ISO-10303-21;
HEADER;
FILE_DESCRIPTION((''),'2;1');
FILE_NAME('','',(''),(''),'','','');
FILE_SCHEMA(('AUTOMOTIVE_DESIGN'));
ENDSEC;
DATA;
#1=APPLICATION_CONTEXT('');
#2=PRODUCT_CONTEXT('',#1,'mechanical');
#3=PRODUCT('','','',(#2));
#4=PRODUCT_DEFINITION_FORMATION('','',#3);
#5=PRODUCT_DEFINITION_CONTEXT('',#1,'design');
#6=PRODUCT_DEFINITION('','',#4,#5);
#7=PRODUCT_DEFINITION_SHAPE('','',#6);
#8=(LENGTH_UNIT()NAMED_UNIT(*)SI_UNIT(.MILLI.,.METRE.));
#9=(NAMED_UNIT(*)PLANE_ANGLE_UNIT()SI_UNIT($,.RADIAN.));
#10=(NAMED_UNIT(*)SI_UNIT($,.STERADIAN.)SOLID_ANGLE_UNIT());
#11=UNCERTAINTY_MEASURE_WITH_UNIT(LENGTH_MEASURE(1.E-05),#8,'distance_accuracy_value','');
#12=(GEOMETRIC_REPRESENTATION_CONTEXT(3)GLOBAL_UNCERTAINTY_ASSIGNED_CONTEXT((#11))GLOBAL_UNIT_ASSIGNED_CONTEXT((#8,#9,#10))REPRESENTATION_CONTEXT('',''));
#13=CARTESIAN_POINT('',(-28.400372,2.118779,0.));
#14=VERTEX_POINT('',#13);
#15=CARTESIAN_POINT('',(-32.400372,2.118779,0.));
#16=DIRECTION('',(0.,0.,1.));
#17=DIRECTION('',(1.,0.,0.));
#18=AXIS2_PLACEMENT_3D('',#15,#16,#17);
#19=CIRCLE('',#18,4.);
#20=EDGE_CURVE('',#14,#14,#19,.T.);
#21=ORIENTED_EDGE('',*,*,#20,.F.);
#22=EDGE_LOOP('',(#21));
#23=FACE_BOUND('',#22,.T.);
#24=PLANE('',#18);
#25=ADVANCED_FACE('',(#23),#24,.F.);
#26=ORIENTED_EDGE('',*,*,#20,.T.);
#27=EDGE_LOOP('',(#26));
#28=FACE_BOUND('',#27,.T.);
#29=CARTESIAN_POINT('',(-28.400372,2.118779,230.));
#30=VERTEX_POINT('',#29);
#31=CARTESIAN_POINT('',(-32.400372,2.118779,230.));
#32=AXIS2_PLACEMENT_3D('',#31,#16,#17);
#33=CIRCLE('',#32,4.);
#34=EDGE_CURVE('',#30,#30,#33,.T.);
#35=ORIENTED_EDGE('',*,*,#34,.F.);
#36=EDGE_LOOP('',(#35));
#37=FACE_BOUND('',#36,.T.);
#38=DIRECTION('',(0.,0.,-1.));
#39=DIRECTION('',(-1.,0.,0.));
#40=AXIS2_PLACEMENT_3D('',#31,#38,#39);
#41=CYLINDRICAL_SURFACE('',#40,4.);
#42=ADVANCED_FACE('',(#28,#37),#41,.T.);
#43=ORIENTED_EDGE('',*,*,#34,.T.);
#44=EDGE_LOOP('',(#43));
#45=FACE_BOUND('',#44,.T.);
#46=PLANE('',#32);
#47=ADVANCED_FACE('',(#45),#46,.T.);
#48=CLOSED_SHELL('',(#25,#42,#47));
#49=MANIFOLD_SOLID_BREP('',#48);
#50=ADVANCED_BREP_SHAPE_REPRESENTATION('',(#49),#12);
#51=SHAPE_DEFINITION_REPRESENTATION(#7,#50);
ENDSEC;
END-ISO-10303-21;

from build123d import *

# Parameters (mm, degrees)
SKETCH1_R           = 4
BOSS_EXTRUDE1_DEPTH = 230


with BuildPart() as part:
    # Sketch1 → Boss-Extrude1 (new body)
    with BuildSketch(Plane.XY):
        with Locations((-32.400371914, 2.118779079)):
            Circle(SKETCH1_R)
    extrude(amount=BOSS_EXTRUDE1_DEPTH)


solid = part.part
